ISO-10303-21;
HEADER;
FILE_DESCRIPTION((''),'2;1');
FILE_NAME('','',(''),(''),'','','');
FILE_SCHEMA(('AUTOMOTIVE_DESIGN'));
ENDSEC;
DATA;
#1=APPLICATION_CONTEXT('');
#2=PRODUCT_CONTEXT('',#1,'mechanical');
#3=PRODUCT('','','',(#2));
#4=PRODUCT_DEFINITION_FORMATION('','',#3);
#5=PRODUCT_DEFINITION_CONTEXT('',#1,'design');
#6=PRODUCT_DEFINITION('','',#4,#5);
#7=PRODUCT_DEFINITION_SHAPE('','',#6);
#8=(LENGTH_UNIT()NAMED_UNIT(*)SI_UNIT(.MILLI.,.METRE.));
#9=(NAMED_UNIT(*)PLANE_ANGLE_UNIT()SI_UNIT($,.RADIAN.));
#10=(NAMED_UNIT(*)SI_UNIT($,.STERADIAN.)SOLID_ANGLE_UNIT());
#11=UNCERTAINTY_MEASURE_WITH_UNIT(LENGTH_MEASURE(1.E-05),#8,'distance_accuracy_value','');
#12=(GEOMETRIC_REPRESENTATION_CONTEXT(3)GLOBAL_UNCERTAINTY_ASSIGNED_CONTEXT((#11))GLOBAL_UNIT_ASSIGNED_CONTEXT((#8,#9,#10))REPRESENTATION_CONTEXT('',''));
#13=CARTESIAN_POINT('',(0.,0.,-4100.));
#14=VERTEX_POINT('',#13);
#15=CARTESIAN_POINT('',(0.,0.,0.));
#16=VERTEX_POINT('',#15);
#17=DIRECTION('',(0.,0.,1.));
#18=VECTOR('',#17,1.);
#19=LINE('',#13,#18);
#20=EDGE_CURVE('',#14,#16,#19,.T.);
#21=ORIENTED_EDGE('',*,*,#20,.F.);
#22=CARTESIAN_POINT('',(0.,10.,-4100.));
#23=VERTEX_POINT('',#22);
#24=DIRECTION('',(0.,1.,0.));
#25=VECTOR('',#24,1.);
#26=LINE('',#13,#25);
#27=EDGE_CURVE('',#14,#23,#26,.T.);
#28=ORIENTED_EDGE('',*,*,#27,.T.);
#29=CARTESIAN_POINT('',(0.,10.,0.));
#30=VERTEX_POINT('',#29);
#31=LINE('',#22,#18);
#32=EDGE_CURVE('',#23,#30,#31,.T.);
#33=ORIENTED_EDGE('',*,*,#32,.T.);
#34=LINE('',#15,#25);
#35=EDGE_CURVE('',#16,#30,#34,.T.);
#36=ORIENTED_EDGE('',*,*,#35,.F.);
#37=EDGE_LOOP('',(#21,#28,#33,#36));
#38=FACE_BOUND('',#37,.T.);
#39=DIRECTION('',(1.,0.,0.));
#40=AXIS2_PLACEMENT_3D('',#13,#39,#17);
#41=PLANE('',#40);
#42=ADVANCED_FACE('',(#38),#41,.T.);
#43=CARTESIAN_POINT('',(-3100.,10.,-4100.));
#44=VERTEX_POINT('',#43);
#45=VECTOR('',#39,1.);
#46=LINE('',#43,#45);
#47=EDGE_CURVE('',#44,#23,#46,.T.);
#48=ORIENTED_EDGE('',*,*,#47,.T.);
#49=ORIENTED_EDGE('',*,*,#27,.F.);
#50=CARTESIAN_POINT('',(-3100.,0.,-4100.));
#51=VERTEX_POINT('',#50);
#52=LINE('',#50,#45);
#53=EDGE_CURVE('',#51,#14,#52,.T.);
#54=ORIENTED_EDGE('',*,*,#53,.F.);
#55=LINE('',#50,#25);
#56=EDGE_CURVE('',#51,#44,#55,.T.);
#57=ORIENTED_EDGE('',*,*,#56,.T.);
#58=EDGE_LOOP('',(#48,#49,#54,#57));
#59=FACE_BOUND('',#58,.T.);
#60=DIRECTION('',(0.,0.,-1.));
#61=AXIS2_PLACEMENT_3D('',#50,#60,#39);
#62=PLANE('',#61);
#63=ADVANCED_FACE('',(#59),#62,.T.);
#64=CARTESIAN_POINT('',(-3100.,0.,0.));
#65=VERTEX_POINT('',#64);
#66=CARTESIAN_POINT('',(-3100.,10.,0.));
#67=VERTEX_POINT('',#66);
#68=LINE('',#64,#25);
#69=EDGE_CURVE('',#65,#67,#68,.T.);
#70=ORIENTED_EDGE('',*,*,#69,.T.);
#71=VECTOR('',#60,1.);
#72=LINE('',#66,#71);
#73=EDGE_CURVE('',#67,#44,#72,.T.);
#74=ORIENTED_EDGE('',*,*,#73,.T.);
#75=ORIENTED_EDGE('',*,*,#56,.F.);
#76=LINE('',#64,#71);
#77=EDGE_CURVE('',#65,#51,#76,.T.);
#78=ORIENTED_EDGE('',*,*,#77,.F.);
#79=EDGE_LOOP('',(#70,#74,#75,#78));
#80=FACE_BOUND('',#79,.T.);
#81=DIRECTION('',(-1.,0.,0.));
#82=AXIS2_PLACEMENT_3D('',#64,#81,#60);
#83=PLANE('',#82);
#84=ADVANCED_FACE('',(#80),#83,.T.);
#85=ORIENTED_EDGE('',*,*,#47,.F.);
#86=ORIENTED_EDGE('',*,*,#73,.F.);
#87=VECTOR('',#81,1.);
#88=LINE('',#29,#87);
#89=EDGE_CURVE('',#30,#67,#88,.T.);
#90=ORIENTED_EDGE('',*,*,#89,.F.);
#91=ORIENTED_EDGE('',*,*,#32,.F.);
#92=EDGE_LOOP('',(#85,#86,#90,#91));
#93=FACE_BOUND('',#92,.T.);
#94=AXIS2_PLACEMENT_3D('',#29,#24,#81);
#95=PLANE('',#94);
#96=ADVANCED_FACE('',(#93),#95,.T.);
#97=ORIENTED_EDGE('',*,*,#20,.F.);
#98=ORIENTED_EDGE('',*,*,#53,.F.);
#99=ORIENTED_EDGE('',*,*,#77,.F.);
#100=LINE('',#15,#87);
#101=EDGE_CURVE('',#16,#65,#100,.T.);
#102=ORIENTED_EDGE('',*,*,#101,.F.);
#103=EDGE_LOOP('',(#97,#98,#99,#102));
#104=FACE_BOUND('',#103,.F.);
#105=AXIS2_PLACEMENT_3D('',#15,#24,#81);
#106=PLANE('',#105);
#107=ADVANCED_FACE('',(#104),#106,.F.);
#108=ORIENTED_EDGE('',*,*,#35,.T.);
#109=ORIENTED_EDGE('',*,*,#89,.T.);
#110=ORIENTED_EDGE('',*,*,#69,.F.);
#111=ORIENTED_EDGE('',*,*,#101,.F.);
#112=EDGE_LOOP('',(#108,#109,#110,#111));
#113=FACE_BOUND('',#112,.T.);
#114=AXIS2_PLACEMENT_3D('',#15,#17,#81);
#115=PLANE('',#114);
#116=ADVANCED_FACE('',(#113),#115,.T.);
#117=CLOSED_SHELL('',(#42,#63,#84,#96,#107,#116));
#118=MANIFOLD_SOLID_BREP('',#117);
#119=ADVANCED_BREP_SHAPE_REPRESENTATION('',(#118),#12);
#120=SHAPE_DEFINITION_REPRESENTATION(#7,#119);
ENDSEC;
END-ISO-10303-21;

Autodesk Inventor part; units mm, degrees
ref_plane "YZ Plane" through (0, 0, 0) normal (1, 0, 0) x (0, 1, 0)
ref_plane "XZ Plane" through (0, 0, 0) normal (0, 1, 0) x (-1, 0, 0)
ref_plane "XY Plane" through (0, 0, 0) normal (0, 0, 1) x (1, 0, 0)
sketch "Sketch1" plane through (0, 0, 0) normal (0, 1, 0) x (-1, 0, 0)
  line L0 (0, 0) -> (3100, 0)
  line L1 (3100, 0) -> (3100, -4100)
  line L2 (3100, -4100) -> (0, -4100)
  line L3 (0, -4100) -> (0, 0)
  dimension "d0" = 4100
  dimension "d1" = 3100
extrude "Extrusion1" add sketch "Sketch1" along normal blind 10
properties part number "coffeeWindowFrontLeft" material "Glass"
